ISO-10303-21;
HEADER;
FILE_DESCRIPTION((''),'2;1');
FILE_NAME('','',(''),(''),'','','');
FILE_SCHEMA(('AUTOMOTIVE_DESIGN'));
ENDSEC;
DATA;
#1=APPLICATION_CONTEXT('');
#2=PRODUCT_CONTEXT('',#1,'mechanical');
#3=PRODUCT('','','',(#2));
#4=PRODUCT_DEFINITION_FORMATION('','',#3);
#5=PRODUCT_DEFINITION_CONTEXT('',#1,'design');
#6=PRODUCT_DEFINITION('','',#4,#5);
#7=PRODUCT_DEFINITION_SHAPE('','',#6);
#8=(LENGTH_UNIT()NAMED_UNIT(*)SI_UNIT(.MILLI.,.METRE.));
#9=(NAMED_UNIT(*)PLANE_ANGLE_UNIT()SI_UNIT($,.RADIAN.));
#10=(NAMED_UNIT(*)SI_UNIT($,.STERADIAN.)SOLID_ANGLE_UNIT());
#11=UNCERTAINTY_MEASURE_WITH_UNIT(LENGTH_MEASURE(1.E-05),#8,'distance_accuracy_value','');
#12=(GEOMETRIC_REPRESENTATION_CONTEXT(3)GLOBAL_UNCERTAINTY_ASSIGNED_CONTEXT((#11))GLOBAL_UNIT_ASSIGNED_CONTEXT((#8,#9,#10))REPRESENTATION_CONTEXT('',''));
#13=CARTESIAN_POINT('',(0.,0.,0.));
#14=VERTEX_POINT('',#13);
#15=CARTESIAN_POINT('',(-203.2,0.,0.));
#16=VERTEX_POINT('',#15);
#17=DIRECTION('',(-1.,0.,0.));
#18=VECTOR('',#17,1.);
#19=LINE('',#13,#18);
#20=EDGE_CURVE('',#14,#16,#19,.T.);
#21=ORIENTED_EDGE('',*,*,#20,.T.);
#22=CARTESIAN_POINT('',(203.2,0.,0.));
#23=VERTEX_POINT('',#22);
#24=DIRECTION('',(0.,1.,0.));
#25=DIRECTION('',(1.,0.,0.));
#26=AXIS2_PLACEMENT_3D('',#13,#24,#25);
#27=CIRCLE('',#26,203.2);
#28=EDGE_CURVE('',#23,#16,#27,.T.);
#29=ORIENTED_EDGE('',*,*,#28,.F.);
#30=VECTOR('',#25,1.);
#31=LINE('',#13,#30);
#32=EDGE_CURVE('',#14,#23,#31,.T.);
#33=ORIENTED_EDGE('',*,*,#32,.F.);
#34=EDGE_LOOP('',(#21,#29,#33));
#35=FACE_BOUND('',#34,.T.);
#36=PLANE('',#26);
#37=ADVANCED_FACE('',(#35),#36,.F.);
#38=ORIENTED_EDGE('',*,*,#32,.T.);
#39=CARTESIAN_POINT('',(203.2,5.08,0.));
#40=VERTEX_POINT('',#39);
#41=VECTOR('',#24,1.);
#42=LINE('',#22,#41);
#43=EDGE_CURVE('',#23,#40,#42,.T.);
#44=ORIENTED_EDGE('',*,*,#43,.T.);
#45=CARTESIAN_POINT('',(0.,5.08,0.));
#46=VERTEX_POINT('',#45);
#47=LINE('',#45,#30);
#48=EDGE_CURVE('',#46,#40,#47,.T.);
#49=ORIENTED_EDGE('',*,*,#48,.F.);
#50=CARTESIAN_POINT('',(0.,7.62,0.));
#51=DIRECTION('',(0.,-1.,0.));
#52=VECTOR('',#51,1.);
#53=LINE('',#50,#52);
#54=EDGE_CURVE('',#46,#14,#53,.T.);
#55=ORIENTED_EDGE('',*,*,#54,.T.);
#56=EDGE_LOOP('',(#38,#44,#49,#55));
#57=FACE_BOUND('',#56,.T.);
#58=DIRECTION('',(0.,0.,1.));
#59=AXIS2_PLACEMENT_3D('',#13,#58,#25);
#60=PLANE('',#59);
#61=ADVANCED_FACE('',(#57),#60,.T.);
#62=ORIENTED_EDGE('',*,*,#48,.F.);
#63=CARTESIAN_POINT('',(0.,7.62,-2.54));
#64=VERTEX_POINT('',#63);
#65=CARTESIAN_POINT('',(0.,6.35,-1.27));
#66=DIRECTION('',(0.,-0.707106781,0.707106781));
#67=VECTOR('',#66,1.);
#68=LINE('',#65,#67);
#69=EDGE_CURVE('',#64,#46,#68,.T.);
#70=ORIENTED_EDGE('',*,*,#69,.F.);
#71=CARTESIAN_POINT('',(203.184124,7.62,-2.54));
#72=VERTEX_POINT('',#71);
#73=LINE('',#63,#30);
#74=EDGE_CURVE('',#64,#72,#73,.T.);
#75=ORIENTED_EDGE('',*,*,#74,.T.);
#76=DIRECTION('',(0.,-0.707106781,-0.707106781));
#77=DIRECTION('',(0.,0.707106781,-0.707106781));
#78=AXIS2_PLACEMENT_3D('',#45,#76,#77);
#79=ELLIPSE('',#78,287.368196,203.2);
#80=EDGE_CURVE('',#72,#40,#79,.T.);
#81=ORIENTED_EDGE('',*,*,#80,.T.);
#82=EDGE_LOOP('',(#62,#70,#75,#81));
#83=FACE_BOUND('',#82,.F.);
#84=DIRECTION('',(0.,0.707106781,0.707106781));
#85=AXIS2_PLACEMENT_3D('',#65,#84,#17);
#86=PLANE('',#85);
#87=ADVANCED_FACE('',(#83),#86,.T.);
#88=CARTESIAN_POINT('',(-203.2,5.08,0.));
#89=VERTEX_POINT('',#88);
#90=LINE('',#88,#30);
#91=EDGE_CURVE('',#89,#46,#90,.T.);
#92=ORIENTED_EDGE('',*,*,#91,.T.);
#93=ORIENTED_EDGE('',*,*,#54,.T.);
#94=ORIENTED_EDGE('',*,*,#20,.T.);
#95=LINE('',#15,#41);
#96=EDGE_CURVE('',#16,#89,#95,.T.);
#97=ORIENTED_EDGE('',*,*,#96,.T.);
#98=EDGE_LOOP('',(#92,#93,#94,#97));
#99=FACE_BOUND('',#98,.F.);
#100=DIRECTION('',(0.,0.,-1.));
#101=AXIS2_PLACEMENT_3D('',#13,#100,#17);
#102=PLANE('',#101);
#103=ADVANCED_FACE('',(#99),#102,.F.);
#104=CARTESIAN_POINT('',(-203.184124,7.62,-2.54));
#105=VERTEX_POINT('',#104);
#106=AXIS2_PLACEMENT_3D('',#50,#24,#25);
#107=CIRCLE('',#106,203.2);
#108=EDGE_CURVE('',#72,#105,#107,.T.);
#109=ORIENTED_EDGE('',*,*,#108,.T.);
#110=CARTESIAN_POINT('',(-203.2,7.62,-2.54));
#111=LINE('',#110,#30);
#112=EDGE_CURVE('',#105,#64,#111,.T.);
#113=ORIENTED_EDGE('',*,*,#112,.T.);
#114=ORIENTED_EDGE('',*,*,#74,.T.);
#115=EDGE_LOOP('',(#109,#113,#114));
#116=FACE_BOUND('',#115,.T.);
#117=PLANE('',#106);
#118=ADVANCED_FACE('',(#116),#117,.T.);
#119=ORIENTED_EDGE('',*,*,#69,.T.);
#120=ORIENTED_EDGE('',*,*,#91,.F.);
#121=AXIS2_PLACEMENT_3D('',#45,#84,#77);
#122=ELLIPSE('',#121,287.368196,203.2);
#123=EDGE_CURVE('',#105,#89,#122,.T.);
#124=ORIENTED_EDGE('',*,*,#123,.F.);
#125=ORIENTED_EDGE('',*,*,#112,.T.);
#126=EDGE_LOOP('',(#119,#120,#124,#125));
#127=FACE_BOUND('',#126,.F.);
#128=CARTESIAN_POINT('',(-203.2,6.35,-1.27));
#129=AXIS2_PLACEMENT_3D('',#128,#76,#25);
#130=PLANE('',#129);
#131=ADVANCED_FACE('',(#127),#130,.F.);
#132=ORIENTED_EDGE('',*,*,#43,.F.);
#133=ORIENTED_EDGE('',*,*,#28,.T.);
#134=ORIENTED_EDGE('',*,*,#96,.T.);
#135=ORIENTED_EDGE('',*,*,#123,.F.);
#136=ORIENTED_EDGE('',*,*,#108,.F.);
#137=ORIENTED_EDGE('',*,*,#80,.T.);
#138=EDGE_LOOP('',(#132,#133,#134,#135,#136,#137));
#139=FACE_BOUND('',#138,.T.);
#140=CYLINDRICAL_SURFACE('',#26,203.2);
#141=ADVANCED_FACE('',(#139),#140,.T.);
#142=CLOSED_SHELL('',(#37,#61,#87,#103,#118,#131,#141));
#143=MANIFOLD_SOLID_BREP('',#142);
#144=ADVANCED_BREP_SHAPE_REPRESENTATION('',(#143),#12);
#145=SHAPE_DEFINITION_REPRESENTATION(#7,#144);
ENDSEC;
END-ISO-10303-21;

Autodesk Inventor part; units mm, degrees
ref_plane "YZ Plane" through (0, 0, 0) normal (1, 0, 0) x (0, 1, 0)
ref_plane "XZ Plane" through (0, 0, 0) normal (0, 1, 0) x (-1, 0, 0)
ref_plane "XY Plane" through (0, 0, 0) normal (0, 0, 1) x (1, 0, 0)
sketch "Sketch1" plane through (0, 0, 0) normal (0, 0, 1) x (1, 0, 0)
  line L0 (0, 0) -> (203.2, 0)
  line L1 (203.2, 0) -> (203.2, 7.62)
  line L2 (203.2, 7.62) -> (0, 7.62)
  line L3 (0, 7.62) -> (0, 0)
  dimension "d0" = 7.62
  dimension "d1" = 203.2
revolve "Revolution1" add sketch "Sketch1" angle 180 about axis through (0, 7.62, 0) along (0, 1, 0)
chamfer "Chamfer1" distance 2.54 angle 45 1 edges at (-101.6, 7.62, 0)
properties part number "shelf-backplate"
